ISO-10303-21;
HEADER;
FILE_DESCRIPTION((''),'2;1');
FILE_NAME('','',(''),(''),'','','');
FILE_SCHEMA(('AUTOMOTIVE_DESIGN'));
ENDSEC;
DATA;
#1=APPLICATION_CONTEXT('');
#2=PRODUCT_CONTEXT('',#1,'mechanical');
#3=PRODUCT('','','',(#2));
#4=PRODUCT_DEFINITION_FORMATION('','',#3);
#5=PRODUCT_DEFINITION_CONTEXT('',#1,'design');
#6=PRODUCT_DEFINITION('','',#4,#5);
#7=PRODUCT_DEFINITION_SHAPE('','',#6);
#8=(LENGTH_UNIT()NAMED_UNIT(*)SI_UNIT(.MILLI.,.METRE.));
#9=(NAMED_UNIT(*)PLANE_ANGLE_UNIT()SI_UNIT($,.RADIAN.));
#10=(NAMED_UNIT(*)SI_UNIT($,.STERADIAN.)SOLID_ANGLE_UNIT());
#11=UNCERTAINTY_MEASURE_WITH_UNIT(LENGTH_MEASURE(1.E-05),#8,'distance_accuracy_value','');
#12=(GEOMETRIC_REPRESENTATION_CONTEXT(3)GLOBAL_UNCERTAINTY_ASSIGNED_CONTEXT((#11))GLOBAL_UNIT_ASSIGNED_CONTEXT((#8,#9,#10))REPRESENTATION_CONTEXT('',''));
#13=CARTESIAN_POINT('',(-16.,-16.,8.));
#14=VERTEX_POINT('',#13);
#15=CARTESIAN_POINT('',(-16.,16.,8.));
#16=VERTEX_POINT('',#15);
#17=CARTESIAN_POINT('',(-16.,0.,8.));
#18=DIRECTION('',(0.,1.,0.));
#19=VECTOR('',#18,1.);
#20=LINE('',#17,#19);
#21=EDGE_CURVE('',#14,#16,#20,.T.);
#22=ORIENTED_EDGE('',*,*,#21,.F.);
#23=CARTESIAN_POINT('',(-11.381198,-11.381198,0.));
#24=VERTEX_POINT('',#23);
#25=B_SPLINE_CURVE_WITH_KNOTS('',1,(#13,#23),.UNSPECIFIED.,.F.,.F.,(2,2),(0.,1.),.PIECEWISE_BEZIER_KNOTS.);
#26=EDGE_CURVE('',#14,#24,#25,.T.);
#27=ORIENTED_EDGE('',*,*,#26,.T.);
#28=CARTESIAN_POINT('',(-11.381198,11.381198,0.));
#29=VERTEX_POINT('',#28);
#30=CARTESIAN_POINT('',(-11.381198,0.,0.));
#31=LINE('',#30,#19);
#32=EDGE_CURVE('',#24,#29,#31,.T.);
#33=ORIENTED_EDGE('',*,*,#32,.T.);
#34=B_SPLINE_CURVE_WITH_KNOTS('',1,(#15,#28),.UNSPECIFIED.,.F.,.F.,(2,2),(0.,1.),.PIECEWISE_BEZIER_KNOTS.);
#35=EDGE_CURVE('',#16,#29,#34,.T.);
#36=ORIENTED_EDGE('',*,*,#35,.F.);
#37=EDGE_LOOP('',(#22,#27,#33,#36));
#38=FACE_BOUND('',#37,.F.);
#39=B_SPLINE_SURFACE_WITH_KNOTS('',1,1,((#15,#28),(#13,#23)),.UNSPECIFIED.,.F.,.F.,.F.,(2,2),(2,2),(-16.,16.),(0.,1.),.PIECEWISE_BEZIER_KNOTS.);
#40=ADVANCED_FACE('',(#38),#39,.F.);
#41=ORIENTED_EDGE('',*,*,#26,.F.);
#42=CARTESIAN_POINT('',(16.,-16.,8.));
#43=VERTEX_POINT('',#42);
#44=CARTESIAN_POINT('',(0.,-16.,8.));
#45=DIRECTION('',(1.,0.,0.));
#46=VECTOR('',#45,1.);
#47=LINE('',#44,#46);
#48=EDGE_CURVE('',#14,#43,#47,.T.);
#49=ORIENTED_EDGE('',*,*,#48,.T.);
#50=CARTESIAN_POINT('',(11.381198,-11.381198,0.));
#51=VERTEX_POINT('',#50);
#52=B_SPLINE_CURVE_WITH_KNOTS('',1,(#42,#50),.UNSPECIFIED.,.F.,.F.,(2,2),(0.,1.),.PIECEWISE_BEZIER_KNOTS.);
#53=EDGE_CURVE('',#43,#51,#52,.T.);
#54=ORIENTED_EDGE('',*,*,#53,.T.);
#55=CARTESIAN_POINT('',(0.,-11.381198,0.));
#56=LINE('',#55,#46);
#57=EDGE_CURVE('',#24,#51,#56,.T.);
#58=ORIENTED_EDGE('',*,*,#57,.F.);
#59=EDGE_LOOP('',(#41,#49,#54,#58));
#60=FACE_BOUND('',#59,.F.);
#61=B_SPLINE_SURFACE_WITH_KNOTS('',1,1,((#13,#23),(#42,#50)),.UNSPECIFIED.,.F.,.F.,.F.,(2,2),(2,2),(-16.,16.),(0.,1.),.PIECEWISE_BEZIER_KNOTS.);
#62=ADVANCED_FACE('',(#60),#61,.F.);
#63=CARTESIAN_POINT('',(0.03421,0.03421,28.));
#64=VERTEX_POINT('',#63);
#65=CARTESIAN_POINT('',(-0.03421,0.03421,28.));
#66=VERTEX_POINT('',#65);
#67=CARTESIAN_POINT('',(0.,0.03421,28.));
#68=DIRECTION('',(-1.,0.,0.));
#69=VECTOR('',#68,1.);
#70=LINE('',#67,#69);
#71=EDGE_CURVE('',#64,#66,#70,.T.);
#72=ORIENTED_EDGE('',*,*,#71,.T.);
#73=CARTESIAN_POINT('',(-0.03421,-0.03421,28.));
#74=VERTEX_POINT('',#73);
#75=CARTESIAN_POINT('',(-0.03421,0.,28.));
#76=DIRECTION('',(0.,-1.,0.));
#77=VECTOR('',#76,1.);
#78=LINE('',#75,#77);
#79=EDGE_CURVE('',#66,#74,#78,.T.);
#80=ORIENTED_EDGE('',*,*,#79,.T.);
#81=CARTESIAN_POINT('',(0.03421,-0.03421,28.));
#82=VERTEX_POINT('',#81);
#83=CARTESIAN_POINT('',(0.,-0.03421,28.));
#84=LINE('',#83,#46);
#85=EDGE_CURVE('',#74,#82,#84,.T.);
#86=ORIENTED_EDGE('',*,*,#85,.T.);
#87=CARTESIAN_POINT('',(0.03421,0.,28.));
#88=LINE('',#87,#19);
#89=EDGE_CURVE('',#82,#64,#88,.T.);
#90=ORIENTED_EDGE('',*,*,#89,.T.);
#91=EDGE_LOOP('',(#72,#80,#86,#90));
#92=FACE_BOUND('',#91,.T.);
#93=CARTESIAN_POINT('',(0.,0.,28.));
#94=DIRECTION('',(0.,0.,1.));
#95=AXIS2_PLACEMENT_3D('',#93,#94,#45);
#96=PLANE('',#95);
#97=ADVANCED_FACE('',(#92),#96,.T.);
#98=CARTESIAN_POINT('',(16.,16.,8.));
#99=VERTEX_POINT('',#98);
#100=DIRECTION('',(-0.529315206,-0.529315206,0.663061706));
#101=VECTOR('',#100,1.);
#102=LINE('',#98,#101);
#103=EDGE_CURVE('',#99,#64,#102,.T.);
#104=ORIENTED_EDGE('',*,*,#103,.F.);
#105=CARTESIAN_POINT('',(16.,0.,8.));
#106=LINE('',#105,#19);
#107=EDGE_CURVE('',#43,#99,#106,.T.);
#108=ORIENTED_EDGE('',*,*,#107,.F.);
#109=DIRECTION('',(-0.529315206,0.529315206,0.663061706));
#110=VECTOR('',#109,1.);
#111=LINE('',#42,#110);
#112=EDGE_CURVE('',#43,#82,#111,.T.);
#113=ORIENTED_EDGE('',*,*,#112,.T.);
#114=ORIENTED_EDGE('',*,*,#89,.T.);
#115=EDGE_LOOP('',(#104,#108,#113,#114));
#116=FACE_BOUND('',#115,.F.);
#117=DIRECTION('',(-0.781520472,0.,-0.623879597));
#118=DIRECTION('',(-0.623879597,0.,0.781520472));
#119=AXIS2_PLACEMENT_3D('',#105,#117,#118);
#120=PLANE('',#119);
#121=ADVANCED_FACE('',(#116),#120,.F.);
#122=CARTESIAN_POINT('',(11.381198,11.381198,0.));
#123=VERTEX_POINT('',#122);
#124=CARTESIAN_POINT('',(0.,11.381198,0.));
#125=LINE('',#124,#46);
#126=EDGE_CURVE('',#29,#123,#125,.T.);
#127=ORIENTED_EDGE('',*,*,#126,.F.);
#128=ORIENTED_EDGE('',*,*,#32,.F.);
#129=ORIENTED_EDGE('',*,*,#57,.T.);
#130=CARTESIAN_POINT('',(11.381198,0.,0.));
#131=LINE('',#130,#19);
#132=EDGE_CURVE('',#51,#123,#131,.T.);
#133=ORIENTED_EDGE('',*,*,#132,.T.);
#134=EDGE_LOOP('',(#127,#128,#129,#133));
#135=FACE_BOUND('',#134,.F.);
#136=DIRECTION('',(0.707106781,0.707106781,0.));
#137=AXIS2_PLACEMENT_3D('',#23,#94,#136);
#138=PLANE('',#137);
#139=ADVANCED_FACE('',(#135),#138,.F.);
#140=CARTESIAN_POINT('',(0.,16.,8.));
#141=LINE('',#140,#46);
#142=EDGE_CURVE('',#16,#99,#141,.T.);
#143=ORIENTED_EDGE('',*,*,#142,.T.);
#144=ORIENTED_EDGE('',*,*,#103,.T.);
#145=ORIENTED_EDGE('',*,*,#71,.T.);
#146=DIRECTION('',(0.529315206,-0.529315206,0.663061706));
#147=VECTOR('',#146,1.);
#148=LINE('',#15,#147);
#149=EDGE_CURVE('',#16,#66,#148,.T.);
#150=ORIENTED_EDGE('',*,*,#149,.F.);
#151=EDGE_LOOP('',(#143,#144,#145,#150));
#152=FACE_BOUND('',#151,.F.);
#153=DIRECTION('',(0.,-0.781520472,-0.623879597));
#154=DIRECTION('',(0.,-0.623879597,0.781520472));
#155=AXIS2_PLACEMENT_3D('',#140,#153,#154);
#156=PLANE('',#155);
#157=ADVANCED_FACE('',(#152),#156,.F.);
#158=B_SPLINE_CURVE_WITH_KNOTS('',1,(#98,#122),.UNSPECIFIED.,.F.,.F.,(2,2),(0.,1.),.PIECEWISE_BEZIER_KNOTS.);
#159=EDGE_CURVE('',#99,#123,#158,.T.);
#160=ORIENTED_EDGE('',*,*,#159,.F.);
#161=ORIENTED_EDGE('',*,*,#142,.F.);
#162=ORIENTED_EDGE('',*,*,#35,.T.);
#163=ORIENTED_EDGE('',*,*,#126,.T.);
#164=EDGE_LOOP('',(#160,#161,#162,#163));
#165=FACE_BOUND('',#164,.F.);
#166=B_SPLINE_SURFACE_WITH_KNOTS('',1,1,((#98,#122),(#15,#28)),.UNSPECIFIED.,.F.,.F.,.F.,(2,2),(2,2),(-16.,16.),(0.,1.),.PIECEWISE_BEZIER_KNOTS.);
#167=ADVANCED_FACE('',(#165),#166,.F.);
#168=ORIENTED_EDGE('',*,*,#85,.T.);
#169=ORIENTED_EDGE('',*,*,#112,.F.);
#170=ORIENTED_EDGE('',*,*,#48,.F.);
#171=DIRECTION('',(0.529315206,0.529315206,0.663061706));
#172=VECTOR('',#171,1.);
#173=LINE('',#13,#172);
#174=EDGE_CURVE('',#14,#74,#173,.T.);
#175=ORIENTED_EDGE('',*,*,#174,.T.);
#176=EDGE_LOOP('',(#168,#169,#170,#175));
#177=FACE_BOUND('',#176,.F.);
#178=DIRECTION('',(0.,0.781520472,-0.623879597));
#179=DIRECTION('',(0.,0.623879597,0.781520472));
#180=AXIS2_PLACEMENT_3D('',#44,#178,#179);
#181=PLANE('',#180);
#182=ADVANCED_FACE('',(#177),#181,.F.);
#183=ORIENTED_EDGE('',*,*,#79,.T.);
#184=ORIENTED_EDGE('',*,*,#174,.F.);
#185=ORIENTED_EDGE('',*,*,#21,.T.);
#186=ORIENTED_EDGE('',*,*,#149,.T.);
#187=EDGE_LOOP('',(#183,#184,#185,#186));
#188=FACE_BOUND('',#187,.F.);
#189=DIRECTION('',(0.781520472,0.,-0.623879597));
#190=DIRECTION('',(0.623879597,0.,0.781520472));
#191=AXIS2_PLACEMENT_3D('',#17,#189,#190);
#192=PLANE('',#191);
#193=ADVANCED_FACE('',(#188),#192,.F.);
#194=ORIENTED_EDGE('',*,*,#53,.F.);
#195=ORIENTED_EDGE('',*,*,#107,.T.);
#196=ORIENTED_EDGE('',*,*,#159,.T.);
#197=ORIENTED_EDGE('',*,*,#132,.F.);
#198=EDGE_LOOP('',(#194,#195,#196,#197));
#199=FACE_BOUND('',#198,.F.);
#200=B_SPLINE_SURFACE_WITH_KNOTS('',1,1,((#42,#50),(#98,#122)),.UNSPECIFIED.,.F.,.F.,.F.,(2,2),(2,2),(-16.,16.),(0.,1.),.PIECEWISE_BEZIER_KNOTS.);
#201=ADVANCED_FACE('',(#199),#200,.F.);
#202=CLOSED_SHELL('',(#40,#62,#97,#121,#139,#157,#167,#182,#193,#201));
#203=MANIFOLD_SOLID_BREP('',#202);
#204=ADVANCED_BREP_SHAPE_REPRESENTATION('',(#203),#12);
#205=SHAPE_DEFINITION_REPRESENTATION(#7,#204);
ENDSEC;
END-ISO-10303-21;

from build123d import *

# Parameters (mm, degrees)
F2_W          = 32
F2_H          = 32
F3_DEPTH      = 20
F3_TAPER      = 38.6
F3_DEPTH_BACK = 8
F3_TAPER_BACK = 30


with BuildPart() as f3:
    # F2 (on plane+point) → F3 (new body, two sides)
    with BuildSketch(Plane.XY.offset(8)) as f3_sk:
        Rectangle(F2_W, F2_H)
    extrude(amount=F3_DEPTH, taper=F3_TAPER)
    extrude(f3_sk.sketch, amount=-F3_DEPTH_BACK, taper=F3_TAPER_BACK)


solid = f3.part
